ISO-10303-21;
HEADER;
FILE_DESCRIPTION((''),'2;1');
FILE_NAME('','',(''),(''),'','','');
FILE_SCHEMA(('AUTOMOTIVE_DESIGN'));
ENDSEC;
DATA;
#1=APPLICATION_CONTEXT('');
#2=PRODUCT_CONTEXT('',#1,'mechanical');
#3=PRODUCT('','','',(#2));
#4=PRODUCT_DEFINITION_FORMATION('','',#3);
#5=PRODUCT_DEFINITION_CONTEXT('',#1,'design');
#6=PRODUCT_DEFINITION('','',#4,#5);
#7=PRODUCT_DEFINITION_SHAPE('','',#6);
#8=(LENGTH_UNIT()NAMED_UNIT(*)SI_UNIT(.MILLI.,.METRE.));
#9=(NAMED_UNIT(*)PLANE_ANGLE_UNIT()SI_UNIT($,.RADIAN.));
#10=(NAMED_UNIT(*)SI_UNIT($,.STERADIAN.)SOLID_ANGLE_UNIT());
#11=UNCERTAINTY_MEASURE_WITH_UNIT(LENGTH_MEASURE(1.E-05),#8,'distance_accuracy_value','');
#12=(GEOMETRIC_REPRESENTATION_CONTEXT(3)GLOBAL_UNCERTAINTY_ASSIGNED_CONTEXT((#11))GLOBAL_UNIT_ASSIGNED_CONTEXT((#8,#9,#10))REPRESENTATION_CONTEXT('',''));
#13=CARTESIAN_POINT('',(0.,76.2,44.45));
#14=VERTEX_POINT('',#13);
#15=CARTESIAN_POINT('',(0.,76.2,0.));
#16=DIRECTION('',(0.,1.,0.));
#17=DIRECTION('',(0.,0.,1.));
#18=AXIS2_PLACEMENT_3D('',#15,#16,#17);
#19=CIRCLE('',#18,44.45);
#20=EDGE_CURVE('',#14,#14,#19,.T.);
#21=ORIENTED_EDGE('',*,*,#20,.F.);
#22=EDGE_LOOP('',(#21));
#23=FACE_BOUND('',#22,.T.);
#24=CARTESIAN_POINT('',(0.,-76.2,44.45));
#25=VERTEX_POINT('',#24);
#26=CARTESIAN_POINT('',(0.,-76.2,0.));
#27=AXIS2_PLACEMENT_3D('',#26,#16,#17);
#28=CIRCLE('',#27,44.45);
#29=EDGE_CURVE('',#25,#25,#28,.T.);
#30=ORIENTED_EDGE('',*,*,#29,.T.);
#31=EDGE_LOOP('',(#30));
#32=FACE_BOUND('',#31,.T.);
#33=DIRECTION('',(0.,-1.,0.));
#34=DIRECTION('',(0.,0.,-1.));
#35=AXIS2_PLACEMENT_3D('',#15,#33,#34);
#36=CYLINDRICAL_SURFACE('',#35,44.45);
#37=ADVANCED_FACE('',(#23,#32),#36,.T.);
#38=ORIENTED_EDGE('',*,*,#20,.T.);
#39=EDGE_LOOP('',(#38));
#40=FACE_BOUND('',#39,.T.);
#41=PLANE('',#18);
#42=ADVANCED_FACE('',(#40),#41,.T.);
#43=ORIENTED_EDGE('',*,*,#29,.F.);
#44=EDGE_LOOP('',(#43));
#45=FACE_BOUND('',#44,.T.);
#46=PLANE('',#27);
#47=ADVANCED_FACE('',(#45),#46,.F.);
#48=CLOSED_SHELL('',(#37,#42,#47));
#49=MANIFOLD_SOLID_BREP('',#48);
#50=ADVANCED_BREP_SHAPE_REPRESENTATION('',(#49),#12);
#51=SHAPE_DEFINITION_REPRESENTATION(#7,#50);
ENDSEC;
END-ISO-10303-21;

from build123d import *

# Parameters (mm, degrees)
SKETCH1_R           = 44.45
BOSS_EXTRUDE1_DEPTH = 76.2


with BuildPart() as part:
    # Sketch1 → Boss-Extrude1 (new body, symmetric)
    with BuildSketch(Plane(origin=(0, 0, 0), x_dir=(1, 0, 0), z_dir=(0, 1, 0))):
        Circle(SKETCH1_R)
    extrude(amount=BOSS_EXTRUDE1_DEPTH, both=True)


solid = part.part
